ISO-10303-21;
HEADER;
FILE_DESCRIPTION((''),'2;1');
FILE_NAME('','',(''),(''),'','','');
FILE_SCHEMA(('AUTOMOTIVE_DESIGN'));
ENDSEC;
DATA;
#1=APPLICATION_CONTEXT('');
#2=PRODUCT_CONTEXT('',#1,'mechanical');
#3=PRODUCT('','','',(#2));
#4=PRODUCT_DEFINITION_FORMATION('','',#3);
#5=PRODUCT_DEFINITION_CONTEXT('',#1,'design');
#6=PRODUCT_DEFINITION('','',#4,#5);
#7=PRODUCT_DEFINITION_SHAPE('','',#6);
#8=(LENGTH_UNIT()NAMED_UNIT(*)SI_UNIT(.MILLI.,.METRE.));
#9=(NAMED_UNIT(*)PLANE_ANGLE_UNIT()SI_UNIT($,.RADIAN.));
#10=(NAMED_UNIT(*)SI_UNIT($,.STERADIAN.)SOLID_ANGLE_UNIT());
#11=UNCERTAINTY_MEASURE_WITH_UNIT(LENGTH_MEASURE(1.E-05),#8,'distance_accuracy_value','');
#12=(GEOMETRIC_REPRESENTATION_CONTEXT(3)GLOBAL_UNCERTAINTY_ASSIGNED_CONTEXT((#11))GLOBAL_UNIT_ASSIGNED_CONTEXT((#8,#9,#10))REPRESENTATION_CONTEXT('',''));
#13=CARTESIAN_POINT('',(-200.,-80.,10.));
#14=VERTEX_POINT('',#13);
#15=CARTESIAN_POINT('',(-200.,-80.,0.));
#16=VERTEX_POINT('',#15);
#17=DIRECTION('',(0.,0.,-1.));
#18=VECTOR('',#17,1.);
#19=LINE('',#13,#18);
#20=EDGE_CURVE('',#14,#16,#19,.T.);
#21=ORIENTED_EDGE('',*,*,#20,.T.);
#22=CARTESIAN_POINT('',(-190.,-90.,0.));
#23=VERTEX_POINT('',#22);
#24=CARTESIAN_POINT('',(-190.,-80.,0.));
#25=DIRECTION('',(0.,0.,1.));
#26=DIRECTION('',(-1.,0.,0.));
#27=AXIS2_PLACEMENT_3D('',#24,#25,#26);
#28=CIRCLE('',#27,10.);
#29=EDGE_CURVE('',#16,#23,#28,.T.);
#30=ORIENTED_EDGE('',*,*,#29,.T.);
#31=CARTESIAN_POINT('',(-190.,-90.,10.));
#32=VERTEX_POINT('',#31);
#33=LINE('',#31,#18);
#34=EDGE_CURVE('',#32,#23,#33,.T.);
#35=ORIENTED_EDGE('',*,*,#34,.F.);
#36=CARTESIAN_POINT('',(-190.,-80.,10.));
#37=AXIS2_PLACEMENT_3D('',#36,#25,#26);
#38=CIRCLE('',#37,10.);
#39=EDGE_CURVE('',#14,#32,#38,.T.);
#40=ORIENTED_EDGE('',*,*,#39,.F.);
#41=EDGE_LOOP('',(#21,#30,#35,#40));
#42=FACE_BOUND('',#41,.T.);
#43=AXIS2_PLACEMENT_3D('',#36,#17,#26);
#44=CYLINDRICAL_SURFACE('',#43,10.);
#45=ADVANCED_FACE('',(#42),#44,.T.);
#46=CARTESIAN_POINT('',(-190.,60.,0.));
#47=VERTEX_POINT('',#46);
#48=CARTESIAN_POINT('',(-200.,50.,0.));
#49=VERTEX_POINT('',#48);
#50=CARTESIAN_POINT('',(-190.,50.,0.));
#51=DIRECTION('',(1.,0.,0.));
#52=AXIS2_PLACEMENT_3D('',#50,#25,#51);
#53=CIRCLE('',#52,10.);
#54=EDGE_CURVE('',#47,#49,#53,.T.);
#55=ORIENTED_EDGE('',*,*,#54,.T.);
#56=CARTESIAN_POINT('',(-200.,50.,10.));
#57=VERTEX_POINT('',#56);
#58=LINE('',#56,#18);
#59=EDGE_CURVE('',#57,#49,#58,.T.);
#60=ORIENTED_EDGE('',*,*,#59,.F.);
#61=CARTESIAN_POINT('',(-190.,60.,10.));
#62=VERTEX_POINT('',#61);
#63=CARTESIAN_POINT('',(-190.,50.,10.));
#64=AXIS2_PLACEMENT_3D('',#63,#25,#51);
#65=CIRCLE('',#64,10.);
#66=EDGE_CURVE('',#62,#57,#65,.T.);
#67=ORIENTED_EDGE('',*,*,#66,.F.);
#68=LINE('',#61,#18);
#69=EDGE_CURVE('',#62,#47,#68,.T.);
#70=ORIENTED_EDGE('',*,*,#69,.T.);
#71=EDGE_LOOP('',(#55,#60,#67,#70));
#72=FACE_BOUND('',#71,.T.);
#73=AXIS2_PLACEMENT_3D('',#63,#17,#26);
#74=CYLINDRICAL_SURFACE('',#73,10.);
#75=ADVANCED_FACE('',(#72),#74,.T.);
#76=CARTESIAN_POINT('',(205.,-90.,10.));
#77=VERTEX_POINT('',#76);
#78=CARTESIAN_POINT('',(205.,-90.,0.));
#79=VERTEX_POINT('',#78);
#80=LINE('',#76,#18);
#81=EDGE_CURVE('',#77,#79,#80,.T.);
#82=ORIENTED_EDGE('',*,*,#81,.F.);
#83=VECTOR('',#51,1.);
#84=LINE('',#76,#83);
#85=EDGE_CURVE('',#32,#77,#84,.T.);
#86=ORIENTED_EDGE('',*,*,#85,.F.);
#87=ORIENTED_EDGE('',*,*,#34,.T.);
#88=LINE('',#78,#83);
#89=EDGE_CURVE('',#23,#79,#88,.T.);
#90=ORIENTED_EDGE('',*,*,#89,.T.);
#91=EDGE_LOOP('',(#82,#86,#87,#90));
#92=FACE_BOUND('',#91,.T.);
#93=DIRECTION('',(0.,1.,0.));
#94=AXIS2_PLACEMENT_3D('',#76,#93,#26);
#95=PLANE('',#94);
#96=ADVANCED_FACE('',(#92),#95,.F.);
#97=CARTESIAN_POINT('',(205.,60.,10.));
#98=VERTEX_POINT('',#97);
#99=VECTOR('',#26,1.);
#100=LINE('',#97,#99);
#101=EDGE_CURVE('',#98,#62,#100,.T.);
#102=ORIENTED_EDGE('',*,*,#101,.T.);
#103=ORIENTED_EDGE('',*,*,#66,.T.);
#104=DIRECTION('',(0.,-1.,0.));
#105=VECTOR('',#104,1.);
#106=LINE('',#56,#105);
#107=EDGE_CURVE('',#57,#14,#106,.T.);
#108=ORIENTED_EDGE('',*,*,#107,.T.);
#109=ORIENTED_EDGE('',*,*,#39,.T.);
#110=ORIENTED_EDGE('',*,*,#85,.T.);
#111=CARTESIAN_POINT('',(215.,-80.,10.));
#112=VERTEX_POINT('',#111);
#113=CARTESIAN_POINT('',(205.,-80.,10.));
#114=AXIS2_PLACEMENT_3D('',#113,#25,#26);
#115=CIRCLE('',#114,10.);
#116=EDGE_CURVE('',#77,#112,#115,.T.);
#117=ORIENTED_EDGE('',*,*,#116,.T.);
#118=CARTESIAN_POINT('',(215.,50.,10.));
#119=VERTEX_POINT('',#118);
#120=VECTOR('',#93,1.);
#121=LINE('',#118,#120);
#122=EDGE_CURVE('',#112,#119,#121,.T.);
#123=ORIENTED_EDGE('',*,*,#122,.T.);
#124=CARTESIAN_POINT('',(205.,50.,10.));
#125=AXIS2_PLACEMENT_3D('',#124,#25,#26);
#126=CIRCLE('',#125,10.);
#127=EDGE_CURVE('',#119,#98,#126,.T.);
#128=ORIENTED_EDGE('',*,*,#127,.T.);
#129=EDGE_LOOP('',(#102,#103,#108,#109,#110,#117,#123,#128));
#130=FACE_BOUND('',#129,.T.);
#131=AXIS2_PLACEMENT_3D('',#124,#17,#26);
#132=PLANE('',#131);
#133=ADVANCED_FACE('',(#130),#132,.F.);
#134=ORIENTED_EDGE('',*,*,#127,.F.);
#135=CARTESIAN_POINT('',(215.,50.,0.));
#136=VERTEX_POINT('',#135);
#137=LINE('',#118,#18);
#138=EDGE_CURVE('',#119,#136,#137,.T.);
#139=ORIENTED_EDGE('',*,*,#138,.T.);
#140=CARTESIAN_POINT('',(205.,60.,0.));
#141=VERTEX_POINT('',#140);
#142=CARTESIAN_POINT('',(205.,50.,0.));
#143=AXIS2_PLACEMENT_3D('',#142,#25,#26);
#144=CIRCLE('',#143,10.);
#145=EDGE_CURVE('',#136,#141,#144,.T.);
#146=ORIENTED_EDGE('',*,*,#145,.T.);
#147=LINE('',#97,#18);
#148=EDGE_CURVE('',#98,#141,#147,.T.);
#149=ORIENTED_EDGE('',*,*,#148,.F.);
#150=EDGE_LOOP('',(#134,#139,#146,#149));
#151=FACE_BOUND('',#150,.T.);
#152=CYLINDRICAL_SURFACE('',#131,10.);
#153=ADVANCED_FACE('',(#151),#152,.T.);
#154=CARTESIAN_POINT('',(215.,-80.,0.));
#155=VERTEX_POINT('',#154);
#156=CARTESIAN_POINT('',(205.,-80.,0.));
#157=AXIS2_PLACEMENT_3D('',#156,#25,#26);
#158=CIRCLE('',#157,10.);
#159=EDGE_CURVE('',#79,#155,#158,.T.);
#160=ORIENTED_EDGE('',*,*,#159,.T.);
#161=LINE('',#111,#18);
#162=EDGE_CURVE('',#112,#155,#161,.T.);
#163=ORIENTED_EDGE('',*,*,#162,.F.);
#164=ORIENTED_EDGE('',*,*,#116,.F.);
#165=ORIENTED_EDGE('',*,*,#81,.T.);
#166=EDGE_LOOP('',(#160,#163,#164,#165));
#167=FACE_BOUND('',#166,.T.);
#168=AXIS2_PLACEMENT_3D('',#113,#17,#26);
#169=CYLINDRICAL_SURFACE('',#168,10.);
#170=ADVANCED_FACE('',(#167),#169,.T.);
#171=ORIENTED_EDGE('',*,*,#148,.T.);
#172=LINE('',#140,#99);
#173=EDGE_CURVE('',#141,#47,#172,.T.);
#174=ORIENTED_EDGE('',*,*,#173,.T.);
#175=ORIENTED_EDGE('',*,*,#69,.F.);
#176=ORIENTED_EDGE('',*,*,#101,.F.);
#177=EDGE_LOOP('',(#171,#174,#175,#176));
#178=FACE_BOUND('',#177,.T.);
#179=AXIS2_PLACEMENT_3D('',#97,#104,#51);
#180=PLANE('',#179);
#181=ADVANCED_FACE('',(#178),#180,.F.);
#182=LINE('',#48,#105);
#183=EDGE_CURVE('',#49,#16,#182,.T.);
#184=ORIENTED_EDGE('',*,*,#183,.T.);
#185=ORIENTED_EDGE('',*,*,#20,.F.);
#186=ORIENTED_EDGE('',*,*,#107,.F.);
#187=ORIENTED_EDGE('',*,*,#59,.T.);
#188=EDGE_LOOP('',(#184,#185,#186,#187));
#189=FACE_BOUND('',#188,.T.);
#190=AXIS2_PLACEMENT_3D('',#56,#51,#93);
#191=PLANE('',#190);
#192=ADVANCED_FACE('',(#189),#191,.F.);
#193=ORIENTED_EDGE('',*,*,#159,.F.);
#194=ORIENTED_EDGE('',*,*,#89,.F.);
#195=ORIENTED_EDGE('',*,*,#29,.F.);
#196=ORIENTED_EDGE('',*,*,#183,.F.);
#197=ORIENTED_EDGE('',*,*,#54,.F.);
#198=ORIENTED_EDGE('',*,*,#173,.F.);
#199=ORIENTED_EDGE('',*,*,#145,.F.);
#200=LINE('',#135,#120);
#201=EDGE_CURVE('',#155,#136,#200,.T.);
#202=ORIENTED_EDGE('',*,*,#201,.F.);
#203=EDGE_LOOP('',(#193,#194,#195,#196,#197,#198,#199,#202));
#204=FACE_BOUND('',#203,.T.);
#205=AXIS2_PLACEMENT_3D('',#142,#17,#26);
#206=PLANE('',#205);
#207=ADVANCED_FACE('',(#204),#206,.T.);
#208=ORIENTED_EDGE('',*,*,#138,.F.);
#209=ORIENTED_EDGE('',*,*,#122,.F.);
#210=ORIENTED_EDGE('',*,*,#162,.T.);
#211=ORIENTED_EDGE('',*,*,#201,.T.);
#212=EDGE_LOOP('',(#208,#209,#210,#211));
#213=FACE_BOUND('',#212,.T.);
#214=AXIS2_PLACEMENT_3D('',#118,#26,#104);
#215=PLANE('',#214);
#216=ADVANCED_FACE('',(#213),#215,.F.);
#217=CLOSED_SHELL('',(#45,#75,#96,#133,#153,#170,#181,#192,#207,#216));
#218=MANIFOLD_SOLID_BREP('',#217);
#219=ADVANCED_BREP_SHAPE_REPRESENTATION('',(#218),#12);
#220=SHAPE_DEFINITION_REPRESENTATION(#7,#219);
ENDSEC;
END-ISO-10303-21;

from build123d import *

# Parameters (mm, degrees)
BOSS_EXTRUDE1_DEPTH = 10


with BuildPart() as part:
    # Sketch1 → Boss-Extrude1 (new body)
    with BuildSketch(Plane.XY):
        with BuildLine():
            Line((205, 60), (-190, 60))
            ThreePointArc((-190, 60), (-197.071067812, 57.071067812), (-200, 50))
            Line((-200, 50), (-200, -80))
            ThreePointArc((-200, -80), (-197.071067812, -87.071067812), (-190, -90))
            Line((-190, -90), (205, -90))
            ThreePointArc((205, -90), (212.071067812, -87.071067812), (215, -80))
            Line((215, -80), (215, 50))
            ThreePointArc((215, 50), (212.071067812, 57.071067812), (205, 60))
        make_face()
    extrude(amount=BOSS_EXTRUDE1_DEPTH)


solid = part.part
